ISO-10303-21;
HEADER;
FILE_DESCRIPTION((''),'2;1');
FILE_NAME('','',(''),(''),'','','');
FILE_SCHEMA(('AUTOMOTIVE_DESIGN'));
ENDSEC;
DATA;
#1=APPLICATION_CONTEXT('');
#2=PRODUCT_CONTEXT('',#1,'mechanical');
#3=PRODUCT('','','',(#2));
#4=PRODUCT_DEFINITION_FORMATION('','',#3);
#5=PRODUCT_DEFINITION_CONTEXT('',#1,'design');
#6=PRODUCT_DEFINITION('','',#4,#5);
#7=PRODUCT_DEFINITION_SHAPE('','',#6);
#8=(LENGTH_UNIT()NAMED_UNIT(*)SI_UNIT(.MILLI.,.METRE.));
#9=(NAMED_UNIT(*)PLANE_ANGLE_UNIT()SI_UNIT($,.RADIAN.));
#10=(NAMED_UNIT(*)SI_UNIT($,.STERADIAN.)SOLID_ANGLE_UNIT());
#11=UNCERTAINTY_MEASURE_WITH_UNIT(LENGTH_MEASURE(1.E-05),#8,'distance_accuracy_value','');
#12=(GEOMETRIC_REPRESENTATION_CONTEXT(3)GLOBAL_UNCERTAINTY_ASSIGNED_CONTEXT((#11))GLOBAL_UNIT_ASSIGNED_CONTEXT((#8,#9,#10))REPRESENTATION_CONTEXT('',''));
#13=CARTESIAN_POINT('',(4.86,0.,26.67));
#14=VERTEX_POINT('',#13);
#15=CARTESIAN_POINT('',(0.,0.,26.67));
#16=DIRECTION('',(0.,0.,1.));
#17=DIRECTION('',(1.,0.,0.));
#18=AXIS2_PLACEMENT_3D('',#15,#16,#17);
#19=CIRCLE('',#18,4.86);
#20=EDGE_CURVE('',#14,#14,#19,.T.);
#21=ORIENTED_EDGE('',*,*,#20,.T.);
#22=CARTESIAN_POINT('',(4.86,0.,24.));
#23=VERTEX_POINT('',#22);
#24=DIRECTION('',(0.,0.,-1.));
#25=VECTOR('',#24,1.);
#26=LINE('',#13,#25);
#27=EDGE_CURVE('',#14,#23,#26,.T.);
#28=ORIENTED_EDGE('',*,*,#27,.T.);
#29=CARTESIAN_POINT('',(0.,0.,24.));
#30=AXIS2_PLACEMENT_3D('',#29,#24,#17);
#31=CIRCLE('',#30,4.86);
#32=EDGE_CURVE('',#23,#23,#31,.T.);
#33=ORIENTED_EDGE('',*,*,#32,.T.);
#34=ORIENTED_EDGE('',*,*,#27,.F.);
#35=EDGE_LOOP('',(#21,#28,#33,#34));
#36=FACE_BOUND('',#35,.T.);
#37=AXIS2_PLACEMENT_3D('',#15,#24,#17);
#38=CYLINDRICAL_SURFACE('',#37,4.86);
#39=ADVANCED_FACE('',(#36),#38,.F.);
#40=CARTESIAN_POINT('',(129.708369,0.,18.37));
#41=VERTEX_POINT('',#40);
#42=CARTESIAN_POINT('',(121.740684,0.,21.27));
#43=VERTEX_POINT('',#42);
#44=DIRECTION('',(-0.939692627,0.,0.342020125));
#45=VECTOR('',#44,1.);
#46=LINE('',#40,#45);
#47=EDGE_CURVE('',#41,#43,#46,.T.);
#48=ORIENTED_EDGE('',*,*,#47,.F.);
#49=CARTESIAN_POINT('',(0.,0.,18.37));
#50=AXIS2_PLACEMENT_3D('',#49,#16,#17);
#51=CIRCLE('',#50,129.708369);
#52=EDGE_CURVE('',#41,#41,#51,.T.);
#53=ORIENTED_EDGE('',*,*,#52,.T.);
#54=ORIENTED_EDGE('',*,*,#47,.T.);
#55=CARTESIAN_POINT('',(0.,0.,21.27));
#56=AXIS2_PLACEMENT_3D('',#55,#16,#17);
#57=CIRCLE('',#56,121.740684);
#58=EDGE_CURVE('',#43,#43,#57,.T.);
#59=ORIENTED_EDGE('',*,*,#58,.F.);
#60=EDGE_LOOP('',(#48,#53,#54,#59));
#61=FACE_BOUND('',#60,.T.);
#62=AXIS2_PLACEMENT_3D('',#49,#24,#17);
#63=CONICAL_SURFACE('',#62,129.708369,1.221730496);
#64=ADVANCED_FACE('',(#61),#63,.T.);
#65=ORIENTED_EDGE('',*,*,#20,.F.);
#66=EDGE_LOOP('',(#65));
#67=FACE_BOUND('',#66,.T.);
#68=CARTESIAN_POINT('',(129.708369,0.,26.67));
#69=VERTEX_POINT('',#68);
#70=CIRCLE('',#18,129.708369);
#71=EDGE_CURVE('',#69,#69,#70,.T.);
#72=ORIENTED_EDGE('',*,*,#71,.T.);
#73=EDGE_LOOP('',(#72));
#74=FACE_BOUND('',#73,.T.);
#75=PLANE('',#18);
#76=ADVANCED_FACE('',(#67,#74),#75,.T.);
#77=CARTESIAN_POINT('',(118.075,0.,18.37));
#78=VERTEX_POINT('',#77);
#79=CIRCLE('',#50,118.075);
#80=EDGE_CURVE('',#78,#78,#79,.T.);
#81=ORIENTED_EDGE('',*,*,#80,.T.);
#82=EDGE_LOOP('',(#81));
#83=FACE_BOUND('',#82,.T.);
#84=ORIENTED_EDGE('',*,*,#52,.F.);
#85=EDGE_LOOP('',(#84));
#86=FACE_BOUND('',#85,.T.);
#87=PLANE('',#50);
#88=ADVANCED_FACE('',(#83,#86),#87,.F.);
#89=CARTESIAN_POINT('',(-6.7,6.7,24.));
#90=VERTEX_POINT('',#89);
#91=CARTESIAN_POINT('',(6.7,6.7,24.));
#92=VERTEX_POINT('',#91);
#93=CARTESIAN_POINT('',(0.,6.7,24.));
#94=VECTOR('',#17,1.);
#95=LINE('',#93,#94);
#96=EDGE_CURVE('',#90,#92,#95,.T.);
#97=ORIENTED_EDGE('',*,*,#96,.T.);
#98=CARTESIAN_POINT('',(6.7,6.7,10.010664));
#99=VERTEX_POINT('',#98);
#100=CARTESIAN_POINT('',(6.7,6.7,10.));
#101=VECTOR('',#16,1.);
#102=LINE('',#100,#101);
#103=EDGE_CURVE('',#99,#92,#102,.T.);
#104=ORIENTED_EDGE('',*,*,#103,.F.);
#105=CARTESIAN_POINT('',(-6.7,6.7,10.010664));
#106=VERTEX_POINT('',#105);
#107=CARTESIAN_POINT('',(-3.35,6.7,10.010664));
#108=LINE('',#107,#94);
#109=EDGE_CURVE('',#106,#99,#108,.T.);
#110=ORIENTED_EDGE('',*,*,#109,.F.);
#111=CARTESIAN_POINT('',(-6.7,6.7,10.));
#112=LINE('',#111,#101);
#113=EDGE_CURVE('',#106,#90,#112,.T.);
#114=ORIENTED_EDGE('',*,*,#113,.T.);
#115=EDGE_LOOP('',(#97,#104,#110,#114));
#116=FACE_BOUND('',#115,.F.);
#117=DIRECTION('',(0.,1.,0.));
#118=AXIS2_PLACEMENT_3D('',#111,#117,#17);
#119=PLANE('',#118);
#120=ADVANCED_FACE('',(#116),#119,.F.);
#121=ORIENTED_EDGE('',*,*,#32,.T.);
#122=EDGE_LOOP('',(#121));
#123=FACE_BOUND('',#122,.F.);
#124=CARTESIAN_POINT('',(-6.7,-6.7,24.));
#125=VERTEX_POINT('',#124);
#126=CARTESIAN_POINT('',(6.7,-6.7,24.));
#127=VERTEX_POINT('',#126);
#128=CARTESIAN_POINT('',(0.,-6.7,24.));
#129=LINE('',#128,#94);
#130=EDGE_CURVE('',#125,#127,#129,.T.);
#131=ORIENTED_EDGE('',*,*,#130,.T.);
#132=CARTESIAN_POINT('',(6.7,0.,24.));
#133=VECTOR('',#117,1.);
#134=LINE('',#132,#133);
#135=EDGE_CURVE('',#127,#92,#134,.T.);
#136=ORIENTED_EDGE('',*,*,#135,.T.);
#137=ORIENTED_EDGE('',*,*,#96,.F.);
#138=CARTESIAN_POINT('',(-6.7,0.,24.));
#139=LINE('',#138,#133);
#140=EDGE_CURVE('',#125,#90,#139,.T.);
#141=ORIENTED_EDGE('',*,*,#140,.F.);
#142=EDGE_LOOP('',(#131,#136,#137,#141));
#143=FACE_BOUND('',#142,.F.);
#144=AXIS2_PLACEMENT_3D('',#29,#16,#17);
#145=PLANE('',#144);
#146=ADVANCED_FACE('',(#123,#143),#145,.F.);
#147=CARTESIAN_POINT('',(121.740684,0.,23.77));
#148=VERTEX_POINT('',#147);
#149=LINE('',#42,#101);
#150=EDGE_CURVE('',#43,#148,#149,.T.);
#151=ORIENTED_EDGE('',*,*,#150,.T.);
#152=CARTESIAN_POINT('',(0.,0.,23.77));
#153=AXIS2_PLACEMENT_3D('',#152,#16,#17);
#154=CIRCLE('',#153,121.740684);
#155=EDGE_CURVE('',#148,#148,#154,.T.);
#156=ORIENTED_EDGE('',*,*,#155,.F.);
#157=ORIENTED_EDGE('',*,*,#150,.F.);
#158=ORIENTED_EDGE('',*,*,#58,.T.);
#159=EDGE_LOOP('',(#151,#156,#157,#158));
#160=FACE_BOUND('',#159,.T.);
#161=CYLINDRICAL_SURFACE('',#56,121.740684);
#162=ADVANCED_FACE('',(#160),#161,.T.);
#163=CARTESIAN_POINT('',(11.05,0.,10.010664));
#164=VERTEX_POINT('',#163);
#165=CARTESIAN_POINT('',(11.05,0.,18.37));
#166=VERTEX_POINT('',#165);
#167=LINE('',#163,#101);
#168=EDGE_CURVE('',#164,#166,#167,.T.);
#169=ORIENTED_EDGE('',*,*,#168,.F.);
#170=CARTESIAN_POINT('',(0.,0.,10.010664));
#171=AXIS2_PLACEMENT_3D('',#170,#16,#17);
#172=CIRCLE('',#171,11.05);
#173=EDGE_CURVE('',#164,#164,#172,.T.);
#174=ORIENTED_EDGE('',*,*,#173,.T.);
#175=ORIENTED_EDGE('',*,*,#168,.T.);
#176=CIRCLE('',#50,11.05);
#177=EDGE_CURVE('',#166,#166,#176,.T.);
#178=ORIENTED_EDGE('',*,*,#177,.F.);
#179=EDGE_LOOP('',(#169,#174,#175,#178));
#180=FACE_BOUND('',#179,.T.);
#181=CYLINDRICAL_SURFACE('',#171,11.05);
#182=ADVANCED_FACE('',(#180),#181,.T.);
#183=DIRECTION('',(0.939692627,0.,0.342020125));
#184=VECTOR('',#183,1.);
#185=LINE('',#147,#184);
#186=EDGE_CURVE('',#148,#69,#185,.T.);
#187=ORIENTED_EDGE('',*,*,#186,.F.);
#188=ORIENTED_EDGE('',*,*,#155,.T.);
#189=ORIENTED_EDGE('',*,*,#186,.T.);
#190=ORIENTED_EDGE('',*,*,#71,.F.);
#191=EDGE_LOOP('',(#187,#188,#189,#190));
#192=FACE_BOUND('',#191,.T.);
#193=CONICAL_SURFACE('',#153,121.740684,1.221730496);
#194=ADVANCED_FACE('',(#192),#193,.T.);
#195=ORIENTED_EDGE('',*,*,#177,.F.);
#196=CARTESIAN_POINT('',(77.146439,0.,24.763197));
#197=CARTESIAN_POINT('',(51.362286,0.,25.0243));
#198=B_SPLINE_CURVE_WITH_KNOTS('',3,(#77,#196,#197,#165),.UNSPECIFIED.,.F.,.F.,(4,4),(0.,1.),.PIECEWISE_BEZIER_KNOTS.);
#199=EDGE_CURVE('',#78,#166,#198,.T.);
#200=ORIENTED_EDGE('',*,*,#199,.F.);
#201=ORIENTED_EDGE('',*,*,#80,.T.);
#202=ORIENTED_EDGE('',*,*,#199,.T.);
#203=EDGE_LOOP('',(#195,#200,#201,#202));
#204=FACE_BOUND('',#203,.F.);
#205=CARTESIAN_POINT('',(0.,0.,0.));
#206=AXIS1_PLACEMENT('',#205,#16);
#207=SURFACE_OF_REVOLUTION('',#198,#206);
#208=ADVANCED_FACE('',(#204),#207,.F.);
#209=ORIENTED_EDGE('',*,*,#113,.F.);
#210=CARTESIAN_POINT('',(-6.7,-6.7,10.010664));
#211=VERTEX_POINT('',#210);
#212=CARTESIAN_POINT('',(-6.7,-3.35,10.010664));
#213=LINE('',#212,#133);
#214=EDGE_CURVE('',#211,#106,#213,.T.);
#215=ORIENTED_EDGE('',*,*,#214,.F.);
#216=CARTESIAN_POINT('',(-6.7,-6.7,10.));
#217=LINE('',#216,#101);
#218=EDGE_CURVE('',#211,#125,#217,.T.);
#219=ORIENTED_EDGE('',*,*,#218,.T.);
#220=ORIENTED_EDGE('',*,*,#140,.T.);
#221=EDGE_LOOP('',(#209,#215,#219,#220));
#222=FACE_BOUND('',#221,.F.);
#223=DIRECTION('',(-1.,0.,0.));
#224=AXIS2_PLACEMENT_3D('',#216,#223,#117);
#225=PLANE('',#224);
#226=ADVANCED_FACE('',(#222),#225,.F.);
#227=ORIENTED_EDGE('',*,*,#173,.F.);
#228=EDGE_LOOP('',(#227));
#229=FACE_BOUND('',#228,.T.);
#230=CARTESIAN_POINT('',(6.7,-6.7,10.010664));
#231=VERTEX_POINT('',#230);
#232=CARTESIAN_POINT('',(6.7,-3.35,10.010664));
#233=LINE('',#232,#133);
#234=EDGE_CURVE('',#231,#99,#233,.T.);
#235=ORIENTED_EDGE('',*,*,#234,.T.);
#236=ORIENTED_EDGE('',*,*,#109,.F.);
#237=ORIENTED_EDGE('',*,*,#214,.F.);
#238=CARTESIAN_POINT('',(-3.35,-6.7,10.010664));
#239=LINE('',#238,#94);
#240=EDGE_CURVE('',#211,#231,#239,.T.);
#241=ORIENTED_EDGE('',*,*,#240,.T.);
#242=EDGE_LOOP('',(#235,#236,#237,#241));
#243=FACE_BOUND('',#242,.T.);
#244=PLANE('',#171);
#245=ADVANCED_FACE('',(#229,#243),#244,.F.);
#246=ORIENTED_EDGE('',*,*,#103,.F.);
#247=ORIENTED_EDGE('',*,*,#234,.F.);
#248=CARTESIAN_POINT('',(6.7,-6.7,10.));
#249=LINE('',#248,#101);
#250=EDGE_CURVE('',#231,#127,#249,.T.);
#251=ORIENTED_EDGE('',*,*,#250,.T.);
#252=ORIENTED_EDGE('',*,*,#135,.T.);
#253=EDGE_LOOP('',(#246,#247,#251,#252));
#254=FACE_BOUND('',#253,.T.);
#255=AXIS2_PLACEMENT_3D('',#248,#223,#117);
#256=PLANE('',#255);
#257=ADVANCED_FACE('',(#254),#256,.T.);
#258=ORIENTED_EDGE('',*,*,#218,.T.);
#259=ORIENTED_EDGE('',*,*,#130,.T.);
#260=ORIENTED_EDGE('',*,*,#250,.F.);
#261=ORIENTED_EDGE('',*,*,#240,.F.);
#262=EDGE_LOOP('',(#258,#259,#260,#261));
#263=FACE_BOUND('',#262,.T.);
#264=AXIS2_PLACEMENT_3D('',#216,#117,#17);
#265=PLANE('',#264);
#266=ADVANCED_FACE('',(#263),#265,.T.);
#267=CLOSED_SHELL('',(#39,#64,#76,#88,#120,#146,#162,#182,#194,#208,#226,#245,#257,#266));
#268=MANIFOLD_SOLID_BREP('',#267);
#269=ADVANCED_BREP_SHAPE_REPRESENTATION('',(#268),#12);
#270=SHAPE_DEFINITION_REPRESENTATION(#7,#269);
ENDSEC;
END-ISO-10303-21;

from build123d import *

# Parameters (mm, degrees)
BOX_W     = 13.4
BOX_H     = 13.4
BOX_DEPTH = 14


with BuildPart() as cube:
    # Box → Box (new body)
    with BuildSketch(Plane(origin=(-6.7, -6.7, 10), x_dir=(1, 0, 0), z_dir=(0, 0, 1))):
        with Locations((6.7, 6.7)):
            Rectangle(BOX_W, BOX_H)
    extrude(amount=BOX_DEPTH)


with BuildPart() as cut:
    # Sketch → Revolve (revolve)
    with BuildSketch(Plane.XZ):
        with BuildLine():
            Line((118.075, 18.37), (129.708369, 18.37))
            Line((129.708369, 18.37), (121.740684, 21.27))
            Line((121.740684, 21.27), (121.740684, 23.77))
            Line((121.740684, 23.77), (129.708369, 26.67))
            Line((129.708369, 26.67), (4.86, 26.67))
            Line((4.86, 26.67), (4.86, 10.010664))
            Line((4.86, 10.010664), (11.05, 10.010664))
            Line((11.05, 10.010664), (11.05, 18.37))
            add(Edge.make_bspline(
                [(118.075, 18.37), (77.146439, 24.763197), (51.362286, 25.0243), (11.05, 18.37)],
                knots=[0, 0, 0, 0, 1, 1, 1, 1], degree=3))
        make_face()
    revolve(axis=Axis((0, 0, 0), (0, 0, 1)))

    # Cut: cut Cube
    add(cube.part, mode=Mode.SUBTRACT)


solid = cut.part
